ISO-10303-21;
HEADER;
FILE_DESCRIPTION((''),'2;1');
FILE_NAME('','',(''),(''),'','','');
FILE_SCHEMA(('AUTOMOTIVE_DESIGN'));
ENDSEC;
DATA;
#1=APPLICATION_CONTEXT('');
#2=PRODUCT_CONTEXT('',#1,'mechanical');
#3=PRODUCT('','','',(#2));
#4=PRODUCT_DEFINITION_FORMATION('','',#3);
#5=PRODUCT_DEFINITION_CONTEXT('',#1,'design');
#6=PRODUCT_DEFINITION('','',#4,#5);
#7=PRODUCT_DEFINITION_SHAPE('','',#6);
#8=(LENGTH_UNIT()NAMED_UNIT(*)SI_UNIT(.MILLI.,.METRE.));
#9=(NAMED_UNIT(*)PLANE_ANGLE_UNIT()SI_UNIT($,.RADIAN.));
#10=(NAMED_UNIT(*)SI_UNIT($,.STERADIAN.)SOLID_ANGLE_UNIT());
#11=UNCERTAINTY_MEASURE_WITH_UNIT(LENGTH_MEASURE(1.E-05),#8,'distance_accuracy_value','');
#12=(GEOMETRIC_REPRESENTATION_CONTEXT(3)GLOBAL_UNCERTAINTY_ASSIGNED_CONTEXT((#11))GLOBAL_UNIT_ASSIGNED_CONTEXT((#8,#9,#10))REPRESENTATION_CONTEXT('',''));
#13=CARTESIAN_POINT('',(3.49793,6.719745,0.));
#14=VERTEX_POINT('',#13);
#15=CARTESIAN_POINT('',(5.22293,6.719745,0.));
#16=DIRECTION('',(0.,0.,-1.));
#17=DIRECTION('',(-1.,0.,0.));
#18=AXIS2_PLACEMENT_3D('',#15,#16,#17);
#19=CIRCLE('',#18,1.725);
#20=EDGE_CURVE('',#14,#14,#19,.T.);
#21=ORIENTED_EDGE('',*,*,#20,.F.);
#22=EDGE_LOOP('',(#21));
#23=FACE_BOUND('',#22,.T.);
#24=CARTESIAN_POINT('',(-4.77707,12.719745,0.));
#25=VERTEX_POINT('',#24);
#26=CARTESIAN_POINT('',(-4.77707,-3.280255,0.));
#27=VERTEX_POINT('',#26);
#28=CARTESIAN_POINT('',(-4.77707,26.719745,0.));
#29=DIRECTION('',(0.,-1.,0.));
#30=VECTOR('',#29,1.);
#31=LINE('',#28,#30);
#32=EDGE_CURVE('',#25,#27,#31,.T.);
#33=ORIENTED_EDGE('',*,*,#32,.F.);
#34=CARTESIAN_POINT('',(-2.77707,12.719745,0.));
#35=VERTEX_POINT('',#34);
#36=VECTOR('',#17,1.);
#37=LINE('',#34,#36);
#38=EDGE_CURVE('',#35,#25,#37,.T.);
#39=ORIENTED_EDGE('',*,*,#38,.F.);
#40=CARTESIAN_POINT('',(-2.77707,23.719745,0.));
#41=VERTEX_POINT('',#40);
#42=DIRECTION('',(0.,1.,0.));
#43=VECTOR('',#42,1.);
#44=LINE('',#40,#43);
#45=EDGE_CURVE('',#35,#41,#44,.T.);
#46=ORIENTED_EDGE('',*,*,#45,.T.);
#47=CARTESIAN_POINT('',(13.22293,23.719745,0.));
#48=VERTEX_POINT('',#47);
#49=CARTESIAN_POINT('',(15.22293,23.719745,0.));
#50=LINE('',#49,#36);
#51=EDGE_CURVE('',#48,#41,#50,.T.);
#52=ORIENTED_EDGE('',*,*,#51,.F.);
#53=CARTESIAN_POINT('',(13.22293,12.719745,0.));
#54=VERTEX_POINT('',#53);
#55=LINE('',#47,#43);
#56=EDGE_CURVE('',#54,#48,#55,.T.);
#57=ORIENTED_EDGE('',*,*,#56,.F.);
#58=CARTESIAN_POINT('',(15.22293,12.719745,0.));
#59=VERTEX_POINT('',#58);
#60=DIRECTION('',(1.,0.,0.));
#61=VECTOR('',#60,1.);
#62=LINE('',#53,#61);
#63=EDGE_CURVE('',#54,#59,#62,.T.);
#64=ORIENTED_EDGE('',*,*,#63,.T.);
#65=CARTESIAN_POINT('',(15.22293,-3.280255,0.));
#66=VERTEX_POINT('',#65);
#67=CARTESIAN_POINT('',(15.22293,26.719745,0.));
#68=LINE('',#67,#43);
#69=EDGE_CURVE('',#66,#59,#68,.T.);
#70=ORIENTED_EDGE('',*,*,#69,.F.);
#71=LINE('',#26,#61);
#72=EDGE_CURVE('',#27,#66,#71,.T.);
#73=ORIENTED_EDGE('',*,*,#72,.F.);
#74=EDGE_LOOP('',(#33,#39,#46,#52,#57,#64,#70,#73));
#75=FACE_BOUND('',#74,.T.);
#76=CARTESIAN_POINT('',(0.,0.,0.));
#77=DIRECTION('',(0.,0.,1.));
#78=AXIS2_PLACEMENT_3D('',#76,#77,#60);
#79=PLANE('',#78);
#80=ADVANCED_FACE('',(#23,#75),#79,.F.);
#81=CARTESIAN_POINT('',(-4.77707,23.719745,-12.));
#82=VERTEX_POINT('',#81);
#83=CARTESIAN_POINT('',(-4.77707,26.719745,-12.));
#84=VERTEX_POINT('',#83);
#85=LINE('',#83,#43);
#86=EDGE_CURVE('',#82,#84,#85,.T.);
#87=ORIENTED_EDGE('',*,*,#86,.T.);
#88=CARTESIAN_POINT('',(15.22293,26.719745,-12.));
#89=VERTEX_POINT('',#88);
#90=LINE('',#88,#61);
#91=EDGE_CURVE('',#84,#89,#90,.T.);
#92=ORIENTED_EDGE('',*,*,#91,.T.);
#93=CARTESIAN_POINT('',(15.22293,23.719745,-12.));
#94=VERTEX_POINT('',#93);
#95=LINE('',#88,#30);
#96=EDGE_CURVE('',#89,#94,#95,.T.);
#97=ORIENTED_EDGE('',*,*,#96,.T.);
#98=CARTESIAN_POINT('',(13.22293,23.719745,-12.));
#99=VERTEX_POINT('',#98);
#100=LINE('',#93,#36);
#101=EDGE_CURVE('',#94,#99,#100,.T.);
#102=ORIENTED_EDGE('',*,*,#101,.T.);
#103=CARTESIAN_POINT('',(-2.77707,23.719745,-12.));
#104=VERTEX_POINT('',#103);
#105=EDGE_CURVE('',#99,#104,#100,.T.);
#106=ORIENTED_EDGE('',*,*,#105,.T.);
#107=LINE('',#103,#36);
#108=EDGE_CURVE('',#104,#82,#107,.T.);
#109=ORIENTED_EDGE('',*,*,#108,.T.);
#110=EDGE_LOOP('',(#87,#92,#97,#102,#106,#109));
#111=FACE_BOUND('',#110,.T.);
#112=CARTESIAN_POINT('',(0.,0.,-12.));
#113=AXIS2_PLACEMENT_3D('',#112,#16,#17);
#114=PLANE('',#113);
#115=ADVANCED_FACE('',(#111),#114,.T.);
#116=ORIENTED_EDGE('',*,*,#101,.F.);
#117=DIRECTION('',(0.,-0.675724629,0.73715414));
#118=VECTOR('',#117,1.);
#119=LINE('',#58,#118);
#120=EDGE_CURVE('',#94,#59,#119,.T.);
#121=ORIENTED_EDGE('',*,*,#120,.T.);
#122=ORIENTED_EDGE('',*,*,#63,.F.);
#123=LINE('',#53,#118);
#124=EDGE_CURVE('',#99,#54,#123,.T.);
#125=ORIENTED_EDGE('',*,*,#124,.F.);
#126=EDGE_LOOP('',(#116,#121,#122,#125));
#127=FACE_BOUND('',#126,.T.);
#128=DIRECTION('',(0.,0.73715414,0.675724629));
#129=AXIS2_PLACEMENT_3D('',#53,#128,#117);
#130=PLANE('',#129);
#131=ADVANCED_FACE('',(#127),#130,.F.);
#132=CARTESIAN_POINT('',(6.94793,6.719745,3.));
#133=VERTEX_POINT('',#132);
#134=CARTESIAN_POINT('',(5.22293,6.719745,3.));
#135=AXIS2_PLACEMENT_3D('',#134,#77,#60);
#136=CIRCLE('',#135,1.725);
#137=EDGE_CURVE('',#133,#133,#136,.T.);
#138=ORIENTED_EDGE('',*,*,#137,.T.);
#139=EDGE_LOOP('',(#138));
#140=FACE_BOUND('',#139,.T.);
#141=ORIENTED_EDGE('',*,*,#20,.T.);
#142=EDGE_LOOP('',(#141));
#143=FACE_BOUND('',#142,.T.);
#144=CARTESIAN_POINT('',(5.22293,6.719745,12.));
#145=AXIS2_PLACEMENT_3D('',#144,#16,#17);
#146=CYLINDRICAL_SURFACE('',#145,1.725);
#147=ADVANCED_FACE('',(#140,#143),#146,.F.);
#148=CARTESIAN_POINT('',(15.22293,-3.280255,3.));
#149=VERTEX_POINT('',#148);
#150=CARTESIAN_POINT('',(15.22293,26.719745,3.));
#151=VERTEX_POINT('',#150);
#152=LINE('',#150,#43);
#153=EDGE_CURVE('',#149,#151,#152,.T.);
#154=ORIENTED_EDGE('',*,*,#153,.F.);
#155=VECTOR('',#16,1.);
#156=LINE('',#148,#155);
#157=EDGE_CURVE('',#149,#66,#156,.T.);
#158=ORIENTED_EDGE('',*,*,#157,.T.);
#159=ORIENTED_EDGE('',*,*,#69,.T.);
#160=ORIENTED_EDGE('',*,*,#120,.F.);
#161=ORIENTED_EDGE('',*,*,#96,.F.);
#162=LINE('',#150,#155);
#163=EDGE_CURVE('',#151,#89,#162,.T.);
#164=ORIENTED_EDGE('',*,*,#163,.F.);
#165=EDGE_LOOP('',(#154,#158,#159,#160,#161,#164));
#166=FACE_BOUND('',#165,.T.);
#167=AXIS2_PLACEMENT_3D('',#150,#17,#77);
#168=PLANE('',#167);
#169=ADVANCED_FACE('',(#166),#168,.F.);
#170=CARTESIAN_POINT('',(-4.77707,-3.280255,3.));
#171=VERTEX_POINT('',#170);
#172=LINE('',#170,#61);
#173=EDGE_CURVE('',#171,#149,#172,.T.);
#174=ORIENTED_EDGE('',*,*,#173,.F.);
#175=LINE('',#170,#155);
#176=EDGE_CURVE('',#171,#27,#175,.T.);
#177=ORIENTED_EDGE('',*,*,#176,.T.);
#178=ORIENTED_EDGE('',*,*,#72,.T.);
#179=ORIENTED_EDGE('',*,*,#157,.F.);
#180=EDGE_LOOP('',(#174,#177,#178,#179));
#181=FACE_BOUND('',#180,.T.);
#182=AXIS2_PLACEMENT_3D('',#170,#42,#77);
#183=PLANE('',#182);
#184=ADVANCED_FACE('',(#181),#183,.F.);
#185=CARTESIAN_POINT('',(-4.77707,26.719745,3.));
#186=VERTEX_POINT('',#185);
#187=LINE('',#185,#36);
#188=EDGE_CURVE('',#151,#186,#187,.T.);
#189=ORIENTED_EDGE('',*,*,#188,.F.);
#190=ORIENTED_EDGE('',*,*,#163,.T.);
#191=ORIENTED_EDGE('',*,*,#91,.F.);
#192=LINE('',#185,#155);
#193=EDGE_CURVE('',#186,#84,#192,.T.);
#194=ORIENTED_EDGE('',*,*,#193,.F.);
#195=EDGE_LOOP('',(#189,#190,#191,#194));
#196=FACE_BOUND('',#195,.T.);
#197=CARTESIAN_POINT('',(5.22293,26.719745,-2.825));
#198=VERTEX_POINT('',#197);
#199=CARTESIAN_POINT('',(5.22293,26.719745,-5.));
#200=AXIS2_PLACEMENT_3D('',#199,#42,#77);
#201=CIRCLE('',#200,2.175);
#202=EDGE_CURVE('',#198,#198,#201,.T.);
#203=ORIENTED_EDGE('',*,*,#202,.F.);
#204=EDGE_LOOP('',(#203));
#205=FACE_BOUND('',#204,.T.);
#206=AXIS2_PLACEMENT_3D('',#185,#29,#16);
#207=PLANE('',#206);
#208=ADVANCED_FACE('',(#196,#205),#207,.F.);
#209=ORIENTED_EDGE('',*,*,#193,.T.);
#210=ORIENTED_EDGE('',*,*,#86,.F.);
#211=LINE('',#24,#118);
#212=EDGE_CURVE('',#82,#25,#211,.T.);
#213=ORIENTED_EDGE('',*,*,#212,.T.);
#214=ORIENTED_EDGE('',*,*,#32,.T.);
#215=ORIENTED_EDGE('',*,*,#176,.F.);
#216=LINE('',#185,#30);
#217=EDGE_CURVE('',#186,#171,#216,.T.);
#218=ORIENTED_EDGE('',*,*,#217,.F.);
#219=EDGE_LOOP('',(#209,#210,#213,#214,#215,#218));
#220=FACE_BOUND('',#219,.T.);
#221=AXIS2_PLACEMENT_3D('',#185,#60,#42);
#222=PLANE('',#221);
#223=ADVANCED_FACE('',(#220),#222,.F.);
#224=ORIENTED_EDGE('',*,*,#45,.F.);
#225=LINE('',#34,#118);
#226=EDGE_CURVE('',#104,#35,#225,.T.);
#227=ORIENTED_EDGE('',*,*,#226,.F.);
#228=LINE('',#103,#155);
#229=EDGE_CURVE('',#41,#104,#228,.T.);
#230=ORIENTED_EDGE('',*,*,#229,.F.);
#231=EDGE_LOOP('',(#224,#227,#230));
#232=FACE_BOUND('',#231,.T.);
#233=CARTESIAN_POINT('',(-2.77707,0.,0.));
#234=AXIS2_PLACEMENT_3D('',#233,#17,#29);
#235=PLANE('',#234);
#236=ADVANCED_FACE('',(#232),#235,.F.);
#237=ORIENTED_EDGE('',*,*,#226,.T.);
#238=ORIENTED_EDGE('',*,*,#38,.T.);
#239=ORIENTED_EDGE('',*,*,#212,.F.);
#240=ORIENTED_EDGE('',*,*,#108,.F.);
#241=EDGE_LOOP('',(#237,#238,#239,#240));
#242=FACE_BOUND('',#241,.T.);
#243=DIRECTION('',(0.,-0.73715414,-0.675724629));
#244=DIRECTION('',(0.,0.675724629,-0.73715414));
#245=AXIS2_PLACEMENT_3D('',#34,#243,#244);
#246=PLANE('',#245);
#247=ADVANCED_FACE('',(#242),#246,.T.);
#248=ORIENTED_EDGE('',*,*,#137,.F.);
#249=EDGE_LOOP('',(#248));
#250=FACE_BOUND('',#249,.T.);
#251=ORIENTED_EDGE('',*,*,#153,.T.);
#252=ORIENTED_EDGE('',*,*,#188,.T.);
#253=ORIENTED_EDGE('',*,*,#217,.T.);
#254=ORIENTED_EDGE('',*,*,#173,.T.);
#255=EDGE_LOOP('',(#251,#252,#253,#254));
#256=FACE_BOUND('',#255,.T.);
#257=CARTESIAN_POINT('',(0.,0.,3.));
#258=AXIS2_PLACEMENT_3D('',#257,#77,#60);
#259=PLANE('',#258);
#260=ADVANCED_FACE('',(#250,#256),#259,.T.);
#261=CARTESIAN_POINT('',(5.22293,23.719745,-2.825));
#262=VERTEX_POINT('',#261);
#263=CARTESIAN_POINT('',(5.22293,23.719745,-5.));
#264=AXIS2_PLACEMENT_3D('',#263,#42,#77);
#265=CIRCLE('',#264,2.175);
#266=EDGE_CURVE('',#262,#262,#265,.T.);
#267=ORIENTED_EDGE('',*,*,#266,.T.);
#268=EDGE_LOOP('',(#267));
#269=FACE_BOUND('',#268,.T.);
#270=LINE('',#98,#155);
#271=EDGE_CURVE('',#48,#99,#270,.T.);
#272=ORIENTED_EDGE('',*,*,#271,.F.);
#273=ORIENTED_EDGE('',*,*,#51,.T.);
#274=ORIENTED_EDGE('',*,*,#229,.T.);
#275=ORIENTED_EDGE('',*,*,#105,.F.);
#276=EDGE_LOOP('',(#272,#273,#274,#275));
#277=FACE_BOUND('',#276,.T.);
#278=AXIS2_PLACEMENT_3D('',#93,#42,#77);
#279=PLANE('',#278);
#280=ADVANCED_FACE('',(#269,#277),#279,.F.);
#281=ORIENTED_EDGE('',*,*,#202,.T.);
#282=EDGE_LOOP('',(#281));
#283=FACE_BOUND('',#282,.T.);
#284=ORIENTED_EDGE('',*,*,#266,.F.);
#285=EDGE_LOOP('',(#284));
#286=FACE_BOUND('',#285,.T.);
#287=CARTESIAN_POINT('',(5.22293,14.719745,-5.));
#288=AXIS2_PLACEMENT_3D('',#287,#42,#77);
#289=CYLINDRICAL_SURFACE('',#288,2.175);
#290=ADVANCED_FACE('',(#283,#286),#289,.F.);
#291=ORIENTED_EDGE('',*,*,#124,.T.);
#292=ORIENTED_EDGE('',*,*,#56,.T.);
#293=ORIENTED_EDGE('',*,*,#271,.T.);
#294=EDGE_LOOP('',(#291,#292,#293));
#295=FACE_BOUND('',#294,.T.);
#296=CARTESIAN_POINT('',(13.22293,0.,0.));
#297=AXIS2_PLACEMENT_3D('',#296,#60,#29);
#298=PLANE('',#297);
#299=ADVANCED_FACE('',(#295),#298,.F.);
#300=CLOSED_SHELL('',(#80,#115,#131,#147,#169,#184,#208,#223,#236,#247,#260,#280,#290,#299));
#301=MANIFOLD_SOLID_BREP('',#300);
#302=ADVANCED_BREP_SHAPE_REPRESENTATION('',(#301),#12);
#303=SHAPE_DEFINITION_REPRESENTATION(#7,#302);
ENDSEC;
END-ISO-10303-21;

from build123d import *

# Parameters (mm, degrees)
SKETCH1_W           = 20
SKETCH1_H           = 30
BOSS_EXTRUDE1_DEPTH = 3
SKETCH2_W           = 20
SKETCH2_H           = 3
BOSS_EXTRUDE2_DEPTH = 12
SKETCH3_R           = 2.175
CUT_EXTRUDE1_DEPTH  = 12
SKETCH5_R           = 1.725
CUT_EXTRUDE2_DEPTH  = 12
BOSS_EXTRUDE3_DEPTH = 2


with BuildPart() as part:
    # Sketch1 → Boss-Extrude1 (new body)
    with BuildSketch(Plane.XY):
        with Locations((5.222929936, 11.719745223)):
            Rectangle(SKETCH1_W, SKETCH1_H)
    extrude(amount=BOSS_EXTRUDE1_DEPTH)

    # Sketch2 → Boss-Extrude2 (add)
    with BuildSketch(Plane(origin=(0, 0, 0), x_dir=(-1, 0, 0), z_dir=(0, 0, -1))):
        with Locations((-5.222929936, 25.219745223)):
            Rectangle(SKETCH2_W, SKETCH2_H)
    extrude(amount=BOSS_EXTRUDE2_DEPTH)

    # Sketch3 → Cut-Extrude1 (cut)
    with BuildSketch(Plane(origin=(0, 26.719745223, 0), x_dir=(1, 0, 0), z_dir=(0, 1, 0))):
        with Locations(Location((5.222929936, 5, 0), (0, 0, 270))):
            Circle(SKETCH3_R)
    extrude(amount=-CUT_EXTRUDE1_DEPTH, mode=Mode.SUBTRACT)

    # Sketch5 → Cut-Extrude2 (cut)
    with BuildSketch(Plane(origin=(0, 0, 0), x_dir=(-1, 0, 0), z_dir=(0, 0, -1))):
        with Locations((-5.222929936, 6.719745223)):
            Circle(SKETCH5_R)
    extrude(amount=-CUT_EXTRUDE2_DEPTH, mode=Mode.SUBTRACT)

    # Sketch6 → Boss-Extrude3 (add)
    with BuildSketch(Plane.ZY.offset(4.777070064)):
        Polygon((-12, 23.719745223), (0, 23.719745223), (0, 12.719745223), align=None)
    boss_extrude3 = extrude(amount=-BOSS_EXTRUDE3_DEPTH)

    # Mirror1: Boss-Extrude3 across plane
    add(boss_extrude3.mirror(Plane.ZY.offset(-5.222929936)))


solid = part.part
